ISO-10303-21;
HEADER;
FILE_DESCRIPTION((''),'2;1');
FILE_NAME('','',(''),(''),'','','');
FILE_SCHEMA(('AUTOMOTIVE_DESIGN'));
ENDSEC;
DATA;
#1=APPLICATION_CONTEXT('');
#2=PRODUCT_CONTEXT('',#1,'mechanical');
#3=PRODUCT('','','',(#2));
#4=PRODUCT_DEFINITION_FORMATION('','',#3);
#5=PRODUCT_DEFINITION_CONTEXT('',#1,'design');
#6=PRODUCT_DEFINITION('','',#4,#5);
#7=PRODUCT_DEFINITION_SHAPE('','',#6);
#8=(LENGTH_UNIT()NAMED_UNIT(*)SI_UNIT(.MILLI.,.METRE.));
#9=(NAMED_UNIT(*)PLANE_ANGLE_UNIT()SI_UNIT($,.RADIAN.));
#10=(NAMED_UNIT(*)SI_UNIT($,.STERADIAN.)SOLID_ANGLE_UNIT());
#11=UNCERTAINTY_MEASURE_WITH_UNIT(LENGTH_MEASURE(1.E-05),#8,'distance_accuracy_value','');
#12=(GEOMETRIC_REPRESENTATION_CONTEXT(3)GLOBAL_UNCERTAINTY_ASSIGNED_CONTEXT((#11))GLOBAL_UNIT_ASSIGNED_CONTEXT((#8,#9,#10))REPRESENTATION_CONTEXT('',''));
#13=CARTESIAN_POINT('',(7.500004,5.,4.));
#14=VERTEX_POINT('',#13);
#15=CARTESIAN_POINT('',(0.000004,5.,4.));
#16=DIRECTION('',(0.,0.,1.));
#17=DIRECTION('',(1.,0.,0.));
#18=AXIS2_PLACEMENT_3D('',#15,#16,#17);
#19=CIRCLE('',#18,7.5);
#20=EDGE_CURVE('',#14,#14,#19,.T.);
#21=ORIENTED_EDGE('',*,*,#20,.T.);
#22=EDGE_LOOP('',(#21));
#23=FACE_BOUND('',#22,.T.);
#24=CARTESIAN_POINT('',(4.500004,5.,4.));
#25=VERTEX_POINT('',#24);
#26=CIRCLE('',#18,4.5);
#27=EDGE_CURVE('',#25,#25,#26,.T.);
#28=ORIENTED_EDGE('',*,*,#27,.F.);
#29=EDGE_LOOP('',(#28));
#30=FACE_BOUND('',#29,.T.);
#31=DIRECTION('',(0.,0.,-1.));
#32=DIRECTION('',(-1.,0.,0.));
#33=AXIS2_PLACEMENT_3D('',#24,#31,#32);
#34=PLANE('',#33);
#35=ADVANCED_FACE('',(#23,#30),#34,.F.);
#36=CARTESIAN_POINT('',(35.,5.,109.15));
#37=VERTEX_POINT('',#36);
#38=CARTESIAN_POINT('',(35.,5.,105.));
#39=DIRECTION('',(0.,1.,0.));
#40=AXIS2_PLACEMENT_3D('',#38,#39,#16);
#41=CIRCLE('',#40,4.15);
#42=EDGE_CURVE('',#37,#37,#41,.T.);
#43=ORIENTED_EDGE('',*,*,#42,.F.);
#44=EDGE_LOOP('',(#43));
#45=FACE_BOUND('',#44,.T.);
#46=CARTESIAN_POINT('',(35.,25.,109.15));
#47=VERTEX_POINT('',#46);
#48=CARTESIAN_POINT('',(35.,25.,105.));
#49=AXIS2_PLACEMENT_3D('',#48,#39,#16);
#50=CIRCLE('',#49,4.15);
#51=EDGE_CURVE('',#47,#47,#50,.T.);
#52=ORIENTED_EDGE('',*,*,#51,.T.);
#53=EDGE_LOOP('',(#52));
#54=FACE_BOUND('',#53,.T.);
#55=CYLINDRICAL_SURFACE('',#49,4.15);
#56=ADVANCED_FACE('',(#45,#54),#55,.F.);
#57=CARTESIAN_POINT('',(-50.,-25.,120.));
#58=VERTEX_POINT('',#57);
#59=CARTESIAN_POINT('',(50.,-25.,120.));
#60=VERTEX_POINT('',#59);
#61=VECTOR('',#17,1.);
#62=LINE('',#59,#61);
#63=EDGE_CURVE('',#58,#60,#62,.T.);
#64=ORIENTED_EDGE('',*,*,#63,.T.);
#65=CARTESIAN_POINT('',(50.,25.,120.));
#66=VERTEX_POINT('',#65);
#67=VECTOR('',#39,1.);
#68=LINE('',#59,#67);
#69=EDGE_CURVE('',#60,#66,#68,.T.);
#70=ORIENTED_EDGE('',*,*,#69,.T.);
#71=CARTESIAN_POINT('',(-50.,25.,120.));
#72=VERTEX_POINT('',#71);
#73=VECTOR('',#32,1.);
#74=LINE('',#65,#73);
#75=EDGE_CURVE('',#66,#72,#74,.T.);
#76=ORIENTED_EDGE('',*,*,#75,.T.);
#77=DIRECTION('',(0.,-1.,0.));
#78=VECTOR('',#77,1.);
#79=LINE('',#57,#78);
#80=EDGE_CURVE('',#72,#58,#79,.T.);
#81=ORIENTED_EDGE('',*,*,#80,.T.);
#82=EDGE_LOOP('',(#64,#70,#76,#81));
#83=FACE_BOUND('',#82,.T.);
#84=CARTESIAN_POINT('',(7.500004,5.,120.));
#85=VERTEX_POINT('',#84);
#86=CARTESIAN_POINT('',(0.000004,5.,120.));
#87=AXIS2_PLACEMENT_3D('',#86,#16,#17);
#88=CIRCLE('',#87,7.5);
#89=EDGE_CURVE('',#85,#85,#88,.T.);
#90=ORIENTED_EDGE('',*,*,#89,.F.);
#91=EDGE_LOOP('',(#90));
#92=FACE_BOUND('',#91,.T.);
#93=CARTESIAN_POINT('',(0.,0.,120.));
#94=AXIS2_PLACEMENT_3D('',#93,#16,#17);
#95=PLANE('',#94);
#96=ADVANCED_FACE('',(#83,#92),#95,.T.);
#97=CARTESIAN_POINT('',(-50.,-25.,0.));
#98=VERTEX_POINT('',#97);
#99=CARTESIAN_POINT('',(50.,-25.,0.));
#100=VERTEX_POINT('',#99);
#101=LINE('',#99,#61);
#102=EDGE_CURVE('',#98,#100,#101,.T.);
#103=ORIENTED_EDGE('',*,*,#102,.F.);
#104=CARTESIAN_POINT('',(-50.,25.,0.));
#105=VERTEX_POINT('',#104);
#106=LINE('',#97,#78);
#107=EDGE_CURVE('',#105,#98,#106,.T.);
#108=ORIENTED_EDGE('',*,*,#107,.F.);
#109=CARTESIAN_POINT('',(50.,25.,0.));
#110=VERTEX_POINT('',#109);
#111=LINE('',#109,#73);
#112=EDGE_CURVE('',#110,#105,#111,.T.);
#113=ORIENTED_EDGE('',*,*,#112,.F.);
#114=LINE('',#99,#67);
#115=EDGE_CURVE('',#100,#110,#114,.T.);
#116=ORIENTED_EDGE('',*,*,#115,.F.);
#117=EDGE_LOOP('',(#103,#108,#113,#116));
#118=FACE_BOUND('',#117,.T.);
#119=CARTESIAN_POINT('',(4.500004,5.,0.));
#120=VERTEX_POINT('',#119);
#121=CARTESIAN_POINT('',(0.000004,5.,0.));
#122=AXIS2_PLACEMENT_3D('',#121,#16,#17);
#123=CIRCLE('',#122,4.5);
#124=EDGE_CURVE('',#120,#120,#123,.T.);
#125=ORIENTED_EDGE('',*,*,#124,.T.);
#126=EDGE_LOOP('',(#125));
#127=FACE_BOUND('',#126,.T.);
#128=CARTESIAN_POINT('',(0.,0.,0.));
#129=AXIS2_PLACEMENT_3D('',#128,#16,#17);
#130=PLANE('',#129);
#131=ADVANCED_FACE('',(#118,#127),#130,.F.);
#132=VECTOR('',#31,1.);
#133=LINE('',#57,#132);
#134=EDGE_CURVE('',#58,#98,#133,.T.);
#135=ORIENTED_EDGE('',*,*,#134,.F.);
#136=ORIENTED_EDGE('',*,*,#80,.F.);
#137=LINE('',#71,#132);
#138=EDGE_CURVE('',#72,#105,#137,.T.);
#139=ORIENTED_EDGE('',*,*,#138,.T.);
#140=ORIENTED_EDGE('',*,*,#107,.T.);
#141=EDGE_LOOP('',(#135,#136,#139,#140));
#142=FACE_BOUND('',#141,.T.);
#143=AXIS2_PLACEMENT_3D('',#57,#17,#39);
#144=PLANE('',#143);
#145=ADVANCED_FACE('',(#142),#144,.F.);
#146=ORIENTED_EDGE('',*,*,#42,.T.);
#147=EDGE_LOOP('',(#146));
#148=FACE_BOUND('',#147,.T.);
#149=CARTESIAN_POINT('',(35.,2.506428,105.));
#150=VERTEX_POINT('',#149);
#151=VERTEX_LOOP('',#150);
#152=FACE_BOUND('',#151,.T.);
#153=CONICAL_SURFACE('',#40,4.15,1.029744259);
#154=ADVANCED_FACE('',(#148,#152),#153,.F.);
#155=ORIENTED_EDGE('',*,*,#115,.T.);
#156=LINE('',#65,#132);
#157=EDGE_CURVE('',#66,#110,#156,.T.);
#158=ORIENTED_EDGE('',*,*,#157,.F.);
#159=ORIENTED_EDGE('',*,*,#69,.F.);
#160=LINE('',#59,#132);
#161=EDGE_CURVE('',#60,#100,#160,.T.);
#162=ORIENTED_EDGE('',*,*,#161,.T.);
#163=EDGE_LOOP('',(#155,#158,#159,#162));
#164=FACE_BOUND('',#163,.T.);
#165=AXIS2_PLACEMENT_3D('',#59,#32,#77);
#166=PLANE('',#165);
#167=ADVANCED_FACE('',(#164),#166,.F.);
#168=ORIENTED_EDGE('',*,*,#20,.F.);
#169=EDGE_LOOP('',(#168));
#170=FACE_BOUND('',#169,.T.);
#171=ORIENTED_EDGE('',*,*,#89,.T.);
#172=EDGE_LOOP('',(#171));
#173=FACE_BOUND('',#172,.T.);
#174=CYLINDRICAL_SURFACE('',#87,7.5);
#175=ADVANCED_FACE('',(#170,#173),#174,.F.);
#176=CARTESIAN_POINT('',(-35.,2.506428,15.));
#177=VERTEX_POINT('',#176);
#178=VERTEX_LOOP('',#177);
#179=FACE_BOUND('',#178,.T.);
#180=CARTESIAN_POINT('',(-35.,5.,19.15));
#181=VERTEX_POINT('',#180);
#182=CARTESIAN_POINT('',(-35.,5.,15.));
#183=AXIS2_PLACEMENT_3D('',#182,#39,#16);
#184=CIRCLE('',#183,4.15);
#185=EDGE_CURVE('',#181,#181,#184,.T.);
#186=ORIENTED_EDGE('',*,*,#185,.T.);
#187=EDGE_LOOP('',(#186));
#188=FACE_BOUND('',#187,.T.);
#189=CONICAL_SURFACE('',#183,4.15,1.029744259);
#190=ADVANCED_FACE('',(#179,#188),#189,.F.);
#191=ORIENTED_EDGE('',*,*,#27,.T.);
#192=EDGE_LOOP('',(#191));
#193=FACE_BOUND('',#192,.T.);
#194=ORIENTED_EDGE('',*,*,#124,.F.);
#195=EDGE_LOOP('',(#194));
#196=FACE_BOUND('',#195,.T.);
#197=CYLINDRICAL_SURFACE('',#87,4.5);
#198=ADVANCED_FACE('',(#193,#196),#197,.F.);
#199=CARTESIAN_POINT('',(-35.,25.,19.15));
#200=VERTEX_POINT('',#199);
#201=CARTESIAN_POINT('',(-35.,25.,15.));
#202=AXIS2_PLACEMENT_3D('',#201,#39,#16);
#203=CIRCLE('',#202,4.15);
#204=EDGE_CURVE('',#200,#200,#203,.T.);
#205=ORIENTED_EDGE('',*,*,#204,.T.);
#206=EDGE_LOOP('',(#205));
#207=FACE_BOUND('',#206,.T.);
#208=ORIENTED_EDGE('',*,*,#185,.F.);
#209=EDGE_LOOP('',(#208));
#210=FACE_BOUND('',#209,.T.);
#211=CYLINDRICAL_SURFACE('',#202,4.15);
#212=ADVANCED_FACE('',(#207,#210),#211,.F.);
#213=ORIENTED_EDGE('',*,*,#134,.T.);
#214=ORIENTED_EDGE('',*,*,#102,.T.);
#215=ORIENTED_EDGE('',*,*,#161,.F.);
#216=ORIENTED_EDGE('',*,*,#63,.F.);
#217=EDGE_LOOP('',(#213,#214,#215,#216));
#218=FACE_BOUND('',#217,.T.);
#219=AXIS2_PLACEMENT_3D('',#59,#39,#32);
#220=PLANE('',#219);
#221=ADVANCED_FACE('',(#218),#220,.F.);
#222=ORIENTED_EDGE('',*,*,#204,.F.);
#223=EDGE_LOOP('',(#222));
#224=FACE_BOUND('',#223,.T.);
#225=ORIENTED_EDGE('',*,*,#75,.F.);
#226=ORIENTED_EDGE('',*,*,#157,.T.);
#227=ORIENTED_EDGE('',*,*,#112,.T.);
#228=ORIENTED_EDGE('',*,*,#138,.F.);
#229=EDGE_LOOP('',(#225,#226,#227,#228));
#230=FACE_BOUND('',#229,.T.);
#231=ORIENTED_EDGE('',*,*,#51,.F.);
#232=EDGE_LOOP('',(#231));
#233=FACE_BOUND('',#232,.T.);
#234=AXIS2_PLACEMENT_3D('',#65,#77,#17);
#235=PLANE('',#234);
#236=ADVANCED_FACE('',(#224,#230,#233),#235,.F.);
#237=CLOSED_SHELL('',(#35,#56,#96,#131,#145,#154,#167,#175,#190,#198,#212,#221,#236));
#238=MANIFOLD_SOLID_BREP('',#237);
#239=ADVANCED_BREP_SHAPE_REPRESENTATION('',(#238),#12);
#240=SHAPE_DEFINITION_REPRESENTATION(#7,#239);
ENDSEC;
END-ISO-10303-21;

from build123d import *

# Parameters (mm, degrees)
SKIZZE1_W                                           = 100
SKIZZE1_H                                           = 50
AUFSATZ_LINEAR_AUSTRAGEN1_DEPTH                     = 120
KERNLOCH_F_R_M8_HELICOIL1_D                         = 8.3
KERNLOCH_F_R_M8_HELICOIL1_DEPTH                     = 20
KERNLOCH_F_R_M8_HELICOIL1_TIP                       = 2.493571569
STIRNSENKUNG_F_R_M8_SENKSCHRAUBE_KOPF_B_D           = 9
STIRNSENKUNG_F_R_M8_SENKSCHRAUBE_KOPF_B_CBORE_D     = 15
STIRNSENKUNG_F_R_M8_SENKSCHRAUBE_KOPF_B_CBORE_DEPTH = 116


with BuildPart() as part:
    # Skizze1 → Aufsatz-Linear austragen1 (new body)
    with BuildSketch(Plane.XY):
        Rectangle(SKIZZE1_W, SKIZZE1_H)
    extrude(amount=AUFSATZ_LINEAR_AUSTRAGEN1_DEPTH)

    # Kernloch für M8 Helicoil1
    with Locations(Plane(origin=(0, 25, 0), x_dir=(1, 0, 0), z_dir=(0, 1, 0))):
        with Locations((35, -105), (-35, -15)):
            Hole(KERNLOCH_F_R_M8_HELICOIL1_D / 2, depth=KERNLOCH_F_R_M8_HELICOIL1_DEPTH)
            with Locations((0, 0, -(KERNLOCH_F_R_M8_HELICOIL1_DEPTH + KERNLOCH_F_R_M8_HELICOIL1_TIP / 2))):  # 118° drill point
                Cone(0, KERNLOCH_F_R_M8_HELICOIL1_D / 2, KERNLOCH_F_R_M8_HELICOIL1_TIP, mode=Mode.SUBTRACT)

    # Stirnsenkung für M8 Senkschraube (Kopf Button)1 (through all)
    with Locations(Plane.XY.offset(120)):
        with Locations((4.444e-06, 5)):
            CounterBoreHole(STIRNSENKUNG_F_R_M8_SENKSCHRAUBE_KOPF_B_D / 2, STIRNSENKUNG_F_R_M8_SENKSCHRAUBE_KOPF_B_CBORE_D / 2, STIRNSENKUNG_F_R_M8_SENKSCHRAUBE_KOPF_B_CBORE_DEPTH)


solid = part.part
